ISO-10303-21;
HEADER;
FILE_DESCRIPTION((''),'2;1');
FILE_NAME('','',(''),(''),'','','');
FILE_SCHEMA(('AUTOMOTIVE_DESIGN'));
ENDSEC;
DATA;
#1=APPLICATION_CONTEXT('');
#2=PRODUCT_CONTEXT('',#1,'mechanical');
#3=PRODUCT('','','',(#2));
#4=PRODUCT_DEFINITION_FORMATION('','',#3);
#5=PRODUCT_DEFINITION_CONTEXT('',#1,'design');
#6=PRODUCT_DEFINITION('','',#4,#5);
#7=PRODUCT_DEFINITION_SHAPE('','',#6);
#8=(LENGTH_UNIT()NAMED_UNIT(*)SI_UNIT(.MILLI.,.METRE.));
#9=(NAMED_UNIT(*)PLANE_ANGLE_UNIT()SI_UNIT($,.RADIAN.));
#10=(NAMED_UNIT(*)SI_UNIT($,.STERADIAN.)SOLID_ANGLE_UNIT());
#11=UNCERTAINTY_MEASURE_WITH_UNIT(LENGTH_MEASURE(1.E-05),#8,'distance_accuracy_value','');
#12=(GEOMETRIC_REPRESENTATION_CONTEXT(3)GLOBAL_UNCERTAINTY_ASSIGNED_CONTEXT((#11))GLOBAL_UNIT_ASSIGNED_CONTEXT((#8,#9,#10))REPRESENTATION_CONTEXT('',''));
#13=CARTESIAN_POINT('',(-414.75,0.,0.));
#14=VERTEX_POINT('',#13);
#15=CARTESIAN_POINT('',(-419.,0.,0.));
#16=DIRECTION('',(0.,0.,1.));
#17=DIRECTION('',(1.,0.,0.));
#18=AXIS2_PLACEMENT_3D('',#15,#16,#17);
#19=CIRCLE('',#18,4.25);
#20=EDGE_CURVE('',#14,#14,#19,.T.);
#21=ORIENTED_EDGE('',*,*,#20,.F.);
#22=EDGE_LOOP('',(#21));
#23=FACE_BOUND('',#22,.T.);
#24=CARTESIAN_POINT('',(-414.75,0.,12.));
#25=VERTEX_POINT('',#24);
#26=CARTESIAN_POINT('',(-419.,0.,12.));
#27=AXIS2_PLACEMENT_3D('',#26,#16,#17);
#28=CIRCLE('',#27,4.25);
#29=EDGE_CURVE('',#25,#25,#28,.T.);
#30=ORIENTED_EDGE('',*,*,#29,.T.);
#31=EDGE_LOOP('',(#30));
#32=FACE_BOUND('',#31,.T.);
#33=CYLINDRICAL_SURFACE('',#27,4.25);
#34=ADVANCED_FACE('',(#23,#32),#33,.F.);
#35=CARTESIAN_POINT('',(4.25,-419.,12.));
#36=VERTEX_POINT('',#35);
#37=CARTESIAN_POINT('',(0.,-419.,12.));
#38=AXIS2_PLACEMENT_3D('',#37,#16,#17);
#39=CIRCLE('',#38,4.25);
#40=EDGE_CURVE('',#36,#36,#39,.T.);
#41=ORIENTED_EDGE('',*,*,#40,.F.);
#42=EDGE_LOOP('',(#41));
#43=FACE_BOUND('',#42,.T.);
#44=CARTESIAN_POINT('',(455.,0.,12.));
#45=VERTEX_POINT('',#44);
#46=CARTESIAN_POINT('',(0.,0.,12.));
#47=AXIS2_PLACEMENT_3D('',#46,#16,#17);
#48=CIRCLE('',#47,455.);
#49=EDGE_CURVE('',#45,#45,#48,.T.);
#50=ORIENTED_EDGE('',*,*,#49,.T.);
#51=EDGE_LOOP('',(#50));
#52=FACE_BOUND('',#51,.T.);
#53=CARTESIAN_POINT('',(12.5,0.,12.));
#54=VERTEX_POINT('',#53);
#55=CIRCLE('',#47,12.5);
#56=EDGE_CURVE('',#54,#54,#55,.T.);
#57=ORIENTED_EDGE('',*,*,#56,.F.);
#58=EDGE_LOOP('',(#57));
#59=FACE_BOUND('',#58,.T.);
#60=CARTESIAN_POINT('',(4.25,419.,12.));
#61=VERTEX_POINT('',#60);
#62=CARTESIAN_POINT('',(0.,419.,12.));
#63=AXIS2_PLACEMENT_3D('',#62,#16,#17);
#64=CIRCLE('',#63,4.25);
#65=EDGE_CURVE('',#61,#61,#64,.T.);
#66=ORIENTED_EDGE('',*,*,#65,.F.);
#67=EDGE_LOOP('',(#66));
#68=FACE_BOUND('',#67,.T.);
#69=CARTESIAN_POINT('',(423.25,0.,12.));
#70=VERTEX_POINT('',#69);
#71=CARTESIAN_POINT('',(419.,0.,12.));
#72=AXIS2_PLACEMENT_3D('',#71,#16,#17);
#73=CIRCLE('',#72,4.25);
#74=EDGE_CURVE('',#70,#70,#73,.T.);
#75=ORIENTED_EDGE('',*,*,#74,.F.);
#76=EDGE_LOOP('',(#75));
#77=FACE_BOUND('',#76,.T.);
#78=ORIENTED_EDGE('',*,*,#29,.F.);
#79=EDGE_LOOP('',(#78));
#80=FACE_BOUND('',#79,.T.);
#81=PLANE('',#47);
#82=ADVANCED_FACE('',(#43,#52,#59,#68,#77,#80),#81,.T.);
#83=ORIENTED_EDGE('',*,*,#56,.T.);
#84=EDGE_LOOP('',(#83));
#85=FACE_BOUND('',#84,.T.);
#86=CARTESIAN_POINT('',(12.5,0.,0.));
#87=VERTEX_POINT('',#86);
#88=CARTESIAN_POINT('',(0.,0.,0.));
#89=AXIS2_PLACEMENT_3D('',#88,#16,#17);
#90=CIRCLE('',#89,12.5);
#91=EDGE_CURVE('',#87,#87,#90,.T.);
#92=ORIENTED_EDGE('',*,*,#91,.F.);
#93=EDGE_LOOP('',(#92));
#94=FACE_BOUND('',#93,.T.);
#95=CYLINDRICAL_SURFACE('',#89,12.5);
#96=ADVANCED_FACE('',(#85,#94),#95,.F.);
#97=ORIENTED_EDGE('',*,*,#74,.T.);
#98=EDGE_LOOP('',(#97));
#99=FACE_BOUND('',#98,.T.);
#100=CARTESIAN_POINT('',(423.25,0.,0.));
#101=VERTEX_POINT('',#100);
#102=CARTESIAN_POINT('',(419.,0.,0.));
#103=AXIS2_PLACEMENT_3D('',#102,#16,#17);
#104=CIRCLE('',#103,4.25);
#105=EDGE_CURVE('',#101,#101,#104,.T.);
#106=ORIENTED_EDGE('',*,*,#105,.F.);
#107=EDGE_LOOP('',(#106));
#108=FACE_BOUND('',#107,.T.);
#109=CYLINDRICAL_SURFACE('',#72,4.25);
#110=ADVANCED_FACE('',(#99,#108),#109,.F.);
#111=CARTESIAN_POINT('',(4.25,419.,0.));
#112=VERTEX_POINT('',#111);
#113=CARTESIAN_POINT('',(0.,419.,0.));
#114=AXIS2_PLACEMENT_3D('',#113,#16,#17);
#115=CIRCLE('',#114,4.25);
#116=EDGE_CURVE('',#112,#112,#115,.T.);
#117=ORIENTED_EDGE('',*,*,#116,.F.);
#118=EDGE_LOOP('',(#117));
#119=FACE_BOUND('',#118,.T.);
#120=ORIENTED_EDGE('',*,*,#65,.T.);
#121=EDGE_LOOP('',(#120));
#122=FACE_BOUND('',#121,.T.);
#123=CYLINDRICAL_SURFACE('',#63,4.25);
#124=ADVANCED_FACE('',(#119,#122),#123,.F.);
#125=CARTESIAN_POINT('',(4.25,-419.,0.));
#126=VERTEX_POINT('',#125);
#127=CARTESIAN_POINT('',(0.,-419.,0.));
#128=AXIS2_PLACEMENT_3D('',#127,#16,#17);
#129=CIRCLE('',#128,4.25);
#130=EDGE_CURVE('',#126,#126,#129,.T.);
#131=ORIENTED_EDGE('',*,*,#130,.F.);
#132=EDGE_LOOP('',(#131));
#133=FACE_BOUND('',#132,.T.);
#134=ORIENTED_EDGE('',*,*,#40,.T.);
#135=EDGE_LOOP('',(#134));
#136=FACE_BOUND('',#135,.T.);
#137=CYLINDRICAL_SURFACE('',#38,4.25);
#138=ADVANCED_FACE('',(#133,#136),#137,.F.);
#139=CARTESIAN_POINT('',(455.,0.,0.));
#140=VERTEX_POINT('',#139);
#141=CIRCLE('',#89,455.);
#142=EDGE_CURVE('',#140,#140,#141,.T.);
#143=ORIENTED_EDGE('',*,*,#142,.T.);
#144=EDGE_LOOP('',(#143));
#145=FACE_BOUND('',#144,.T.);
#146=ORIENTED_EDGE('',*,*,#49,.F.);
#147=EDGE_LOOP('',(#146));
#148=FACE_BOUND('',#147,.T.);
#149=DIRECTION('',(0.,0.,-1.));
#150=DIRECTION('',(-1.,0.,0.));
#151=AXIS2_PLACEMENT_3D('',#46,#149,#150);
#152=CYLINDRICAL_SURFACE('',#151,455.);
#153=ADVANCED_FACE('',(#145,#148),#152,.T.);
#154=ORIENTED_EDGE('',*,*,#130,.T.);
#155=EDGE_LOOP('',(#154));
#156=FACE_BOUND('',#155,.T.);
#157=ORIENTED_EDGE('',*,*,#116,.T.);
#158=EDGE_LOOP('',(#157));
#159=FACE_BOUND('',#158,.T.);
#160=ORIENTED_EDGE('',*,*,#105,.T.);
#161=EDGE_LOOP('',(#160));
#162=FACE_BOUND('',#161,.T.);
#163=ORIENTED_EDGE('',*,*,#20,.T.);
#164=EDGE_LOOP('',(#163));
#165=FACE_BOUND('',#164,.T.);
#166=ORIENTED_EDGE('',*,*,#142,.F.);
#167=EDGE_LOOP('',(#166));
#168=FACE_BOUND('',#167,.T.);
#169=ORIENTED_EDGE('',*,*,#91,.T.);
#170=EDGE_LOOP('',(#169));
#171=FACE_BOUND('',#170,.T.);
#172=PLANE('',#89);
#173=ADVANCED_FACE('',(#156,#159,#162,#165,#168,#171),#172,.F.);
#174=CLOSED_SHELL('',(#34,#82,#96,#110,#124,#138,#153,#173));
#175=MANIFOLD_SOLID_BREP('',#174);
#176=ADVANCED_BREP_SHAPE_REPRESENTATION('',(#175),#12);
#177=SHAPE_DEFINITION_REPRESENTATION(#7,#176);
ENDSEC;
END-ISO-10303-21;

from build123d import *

# Parameters (mm, degrees)
IZIM1_R                     = 455
Y_KSEKLIK_EKSTR_ZYON1_DEPTH = 12
IZIM2_R                     = 12.5
KES_EKSTR_ZYON1_DEPTH       = 644.579054973
F_8_5_8_5_AP_DELIK1_D       = 8.5


with BuildPart() as part:
    # Çizim1 → Yükseklik-Ekstrüzyon1 (new body)
    with BuildSketch(Plane.XY):
        Circle(IZIM1_R)
    extrude(amount=Y_KSEKLIK_EKSTR_ZYON1_DEPTH)

    # Çizim2 → Kes-Ekstrüzyon1 (cut, through all)
    with BuildSketch(Plane.XY.offset(12)):
        Circle(IZIM2_R)
    extrude(amount=-KES_EKSTR_ZYON1_DEPTH, mode=Mode.SUBTRACT)

    # Ø8.5 (8.5) Çap Delik1 (through all)
    with Locations(Plane.XY.offset(12)):
        with Locations((0, 419), (419, 0), (0, -419), (-419, 0)):
            Hole(F_8_5_8_5_AP_DELIK1_D / 2)


solid = part.part
